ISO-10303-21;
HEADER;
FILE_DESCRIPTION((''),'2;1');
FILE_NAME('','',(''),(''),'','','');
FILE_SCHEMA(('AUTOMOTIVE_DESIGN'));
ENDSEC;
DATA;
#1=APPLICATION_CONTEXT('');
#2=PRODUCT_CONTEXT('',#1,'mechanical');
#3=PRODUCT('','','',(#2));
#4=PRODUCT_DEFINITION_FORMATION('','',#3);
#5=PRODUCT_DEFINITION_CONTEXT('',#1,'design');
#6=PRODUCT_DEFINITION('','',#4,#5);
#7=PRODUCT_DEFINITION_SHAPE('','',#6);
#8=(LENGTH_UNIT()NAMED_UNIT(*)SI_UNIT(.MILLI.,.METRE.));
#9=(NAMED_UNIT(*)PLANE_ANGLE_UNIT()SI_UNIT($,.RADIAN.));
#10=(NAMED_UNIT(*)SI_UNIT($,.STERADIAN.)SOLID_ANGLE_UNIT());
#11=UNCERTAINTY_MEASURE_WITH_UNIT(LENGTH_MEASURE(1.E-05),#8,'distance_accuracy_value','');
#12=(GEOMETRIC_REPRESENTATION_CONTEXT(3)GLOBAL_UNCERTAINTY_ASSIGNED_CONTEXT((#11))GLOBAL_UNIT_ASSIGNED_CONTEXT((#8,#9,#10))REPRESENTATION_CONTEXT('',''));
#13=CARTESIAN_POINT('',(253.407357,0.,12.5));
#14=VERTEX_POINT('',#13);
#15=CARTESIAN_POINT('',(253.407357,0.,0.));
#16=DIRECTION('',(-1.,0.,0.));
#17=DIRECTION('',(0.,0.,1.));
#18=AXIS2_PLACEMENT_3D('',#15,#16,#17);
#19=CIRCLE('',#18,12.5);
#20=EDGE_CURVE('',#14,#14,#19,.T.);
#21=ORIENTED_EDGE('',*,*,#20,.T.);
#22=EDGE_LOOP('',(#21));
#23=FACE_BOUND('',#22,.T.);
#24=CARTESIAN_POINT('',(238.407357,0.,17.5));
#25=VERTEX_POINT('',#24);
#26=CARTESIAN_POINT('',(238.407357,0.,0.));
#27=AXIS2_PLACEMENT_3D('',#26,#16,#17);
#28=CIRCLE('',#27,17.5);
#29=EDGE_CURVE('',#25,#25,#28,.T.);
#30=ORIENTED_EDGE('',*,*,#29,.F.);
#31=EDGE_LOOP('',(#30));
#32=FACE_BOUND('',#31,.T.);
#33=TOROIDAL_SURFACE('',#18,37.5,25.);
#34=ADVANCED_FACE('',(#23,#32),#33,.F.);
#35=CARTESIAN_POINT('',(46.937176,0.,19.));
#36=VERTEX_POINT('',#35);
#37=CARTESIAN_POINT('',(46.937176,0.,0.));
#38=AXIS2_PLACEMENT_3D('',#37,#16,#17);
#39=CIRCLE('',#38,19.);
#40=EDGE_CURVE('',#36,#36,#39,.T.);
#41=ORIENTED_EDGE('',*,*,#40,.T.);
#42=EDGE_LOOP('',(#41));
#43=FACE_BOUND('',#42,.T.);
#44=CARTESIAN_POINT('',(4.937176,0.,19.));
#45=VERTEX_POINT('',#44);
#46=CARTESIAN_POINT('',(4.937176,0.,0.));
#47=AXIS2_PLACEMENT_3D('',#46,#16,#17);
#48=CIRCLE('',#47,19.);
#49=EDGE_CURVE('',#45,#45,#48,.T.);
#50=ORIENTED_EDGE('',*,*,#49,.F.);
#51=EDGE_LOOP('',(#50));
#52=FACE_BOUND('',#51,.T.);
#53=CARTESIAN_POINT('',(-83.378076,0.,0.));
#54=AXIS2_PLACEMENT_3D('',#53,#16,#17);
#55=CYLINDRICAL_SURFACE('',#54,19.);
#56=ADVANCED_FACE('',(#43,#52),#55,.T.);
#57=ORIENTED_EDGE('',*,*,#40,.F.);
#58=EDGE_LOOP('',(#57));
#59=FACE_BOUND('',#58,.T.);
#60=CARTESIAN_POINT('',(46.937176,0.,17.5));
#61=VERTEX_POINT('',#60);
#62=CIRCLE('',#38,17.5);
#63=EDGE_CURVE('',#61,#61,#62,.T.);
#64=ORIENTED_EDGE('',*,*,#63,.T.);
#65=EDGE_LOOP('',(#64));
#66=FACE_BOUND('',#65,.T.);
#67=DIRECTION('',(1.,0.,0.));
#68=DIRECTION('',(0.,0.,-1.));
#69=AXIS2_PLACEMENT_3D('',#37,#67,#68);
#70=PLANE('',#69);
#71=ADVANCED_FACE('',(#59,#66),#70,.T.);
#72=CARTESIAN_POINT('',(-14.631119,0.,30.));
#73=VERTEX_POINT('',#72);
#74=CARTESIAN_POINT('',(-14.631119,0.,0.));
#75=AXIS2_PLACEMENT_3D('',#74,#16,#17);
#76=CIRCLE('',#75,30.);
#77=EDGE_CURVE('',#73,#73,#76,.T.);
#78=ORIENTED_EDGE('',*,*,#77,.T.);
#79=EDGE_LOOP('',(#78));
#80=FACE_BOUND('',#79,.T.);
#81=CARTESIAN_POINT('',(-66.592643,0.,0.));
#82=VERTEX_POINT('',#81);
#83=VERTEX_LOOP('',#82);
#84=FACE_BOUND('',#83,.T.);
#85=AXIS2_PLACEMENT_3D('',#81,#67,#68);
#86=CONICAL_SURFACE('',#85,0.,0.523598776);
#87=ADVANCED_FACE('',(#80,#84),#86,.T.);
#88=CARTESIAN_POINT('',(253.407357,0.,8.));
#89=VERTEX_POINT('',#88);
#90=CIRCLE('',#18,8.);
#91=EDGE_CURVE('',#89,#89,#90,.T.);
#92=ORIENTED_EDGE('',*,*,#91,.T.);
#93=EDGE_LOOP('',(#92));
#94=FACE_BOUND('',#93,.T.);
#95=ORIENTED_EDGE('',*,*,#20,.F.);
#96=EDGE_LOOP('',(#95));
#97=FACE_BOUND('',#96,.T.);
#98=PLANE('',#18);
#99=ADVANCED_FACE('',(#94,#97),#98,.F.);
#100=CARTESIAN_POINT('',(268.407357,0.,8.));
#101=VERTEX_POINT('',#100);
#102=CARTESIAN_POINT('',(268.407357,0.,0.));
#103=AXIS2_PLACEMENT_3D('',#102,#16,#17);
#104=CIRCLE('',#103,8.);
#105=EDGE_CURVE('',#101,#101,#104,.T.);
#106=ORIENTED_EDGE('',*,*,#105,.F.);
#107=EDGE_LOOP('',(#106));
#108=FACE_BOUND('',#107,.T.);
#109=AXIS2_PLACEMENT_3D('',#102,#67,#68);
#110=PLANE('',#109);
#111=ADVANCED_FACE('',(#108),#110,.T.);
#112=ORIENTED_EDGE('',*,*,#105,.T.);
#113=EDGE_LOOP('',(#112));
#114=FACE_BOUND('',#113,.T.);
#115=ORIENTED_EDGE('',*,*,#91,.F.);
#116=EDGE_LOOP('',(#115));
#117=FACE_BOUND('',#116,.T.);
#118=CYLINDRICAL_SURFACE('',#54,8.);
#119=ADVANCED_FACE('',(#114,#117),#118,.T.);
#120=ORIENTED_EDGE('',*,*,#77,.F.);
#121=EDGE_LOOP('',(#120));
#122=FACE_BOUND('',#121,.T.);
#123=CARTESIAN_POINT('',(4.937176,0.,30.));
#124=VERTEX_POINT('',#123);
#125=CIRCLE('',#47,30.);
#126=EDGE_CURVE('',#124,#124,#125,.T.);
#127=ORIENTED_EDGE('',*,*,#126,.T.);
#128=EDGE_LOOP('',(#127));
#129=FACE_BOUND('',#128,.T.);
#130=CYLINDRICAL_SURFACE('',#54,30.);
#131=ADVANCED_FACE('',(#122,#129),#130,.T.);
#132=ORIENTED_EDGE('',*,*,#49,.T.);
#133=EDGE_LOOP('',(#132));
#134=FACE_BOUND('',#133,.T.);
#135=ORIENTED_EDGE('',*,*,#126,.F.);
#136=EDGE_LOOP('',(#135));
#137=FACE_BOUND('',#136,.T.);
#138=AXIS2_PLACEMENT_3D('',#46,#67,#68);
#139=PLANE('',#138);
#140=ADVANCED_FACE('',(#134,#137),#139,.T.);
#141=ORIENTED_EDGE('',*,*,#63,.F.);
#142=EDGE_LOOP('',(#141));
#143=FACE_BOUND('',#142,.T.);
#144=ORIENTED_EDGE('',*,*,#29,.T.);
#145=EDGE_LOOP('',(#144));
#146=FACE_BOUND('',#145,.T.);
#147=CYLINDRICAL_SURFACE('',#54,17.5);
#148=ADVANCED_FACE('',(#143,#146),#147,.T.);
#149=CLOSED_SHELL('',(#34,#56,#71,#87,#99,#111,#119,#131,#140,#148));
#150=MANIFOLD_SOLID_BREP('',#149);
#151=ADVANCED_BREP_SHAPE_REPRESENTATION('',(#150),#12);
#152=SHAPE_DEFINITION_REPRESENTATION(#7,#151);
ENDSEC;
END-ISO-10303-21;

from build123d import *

# Parameters (mm, degrees)
SKETCH1_W = 191.470180192
SKETCH1_H = 17.5


with BuildPart() as part:
    # Sketch1 → Revolve4 (revolve)
    with BuildSketch(Plane.XY, mode=Mode.PRIVATE) as revolve4_sk:
        Polygon((-14.631119083, 30), (-66.59264331, 0), (-14.631119083, 0), align=None)
        Polygon((4.937176498, 30), (-14.631119083, 30), (-14.631119083, 0), (4.937176498, 0), (4.937176498, 19), align=None)
        Polygon((4.937176498, 19), (4.937176498, 0), (46.937176498, 0), (46.937176498, 17.5), (46.937176498, 19), align=None)
        with Locations((142.672266594, 8.75)):
            Rectangle(SKETCH1_W, SKETCH1_H)
        with BuildLine():
            Line((238.40735669, 17.5), (238.40735669, 0))
            Line((238.40735669, 0), (268.40735669, 0))
            Line((268.40735669, 0), (268.40735669, 8))
            Line((268.40735669, 8), (253.40735669, 8))
            Line((253.40735669, 8), (253.40735669, 12.5))
            ThreePointArc((253.40735669, 12.5), (245.501662539, 13.782917549), (238.40735669, 17.5))
        make_face()
    revolve(revolve4_sk.sketch.rotate(Axis((-83.378075763, 0, 0), (1, 0, 0)), 90), axis=Axis((-83.378075763, 0, 0), (1, 0, 0)))


solid = part.part
